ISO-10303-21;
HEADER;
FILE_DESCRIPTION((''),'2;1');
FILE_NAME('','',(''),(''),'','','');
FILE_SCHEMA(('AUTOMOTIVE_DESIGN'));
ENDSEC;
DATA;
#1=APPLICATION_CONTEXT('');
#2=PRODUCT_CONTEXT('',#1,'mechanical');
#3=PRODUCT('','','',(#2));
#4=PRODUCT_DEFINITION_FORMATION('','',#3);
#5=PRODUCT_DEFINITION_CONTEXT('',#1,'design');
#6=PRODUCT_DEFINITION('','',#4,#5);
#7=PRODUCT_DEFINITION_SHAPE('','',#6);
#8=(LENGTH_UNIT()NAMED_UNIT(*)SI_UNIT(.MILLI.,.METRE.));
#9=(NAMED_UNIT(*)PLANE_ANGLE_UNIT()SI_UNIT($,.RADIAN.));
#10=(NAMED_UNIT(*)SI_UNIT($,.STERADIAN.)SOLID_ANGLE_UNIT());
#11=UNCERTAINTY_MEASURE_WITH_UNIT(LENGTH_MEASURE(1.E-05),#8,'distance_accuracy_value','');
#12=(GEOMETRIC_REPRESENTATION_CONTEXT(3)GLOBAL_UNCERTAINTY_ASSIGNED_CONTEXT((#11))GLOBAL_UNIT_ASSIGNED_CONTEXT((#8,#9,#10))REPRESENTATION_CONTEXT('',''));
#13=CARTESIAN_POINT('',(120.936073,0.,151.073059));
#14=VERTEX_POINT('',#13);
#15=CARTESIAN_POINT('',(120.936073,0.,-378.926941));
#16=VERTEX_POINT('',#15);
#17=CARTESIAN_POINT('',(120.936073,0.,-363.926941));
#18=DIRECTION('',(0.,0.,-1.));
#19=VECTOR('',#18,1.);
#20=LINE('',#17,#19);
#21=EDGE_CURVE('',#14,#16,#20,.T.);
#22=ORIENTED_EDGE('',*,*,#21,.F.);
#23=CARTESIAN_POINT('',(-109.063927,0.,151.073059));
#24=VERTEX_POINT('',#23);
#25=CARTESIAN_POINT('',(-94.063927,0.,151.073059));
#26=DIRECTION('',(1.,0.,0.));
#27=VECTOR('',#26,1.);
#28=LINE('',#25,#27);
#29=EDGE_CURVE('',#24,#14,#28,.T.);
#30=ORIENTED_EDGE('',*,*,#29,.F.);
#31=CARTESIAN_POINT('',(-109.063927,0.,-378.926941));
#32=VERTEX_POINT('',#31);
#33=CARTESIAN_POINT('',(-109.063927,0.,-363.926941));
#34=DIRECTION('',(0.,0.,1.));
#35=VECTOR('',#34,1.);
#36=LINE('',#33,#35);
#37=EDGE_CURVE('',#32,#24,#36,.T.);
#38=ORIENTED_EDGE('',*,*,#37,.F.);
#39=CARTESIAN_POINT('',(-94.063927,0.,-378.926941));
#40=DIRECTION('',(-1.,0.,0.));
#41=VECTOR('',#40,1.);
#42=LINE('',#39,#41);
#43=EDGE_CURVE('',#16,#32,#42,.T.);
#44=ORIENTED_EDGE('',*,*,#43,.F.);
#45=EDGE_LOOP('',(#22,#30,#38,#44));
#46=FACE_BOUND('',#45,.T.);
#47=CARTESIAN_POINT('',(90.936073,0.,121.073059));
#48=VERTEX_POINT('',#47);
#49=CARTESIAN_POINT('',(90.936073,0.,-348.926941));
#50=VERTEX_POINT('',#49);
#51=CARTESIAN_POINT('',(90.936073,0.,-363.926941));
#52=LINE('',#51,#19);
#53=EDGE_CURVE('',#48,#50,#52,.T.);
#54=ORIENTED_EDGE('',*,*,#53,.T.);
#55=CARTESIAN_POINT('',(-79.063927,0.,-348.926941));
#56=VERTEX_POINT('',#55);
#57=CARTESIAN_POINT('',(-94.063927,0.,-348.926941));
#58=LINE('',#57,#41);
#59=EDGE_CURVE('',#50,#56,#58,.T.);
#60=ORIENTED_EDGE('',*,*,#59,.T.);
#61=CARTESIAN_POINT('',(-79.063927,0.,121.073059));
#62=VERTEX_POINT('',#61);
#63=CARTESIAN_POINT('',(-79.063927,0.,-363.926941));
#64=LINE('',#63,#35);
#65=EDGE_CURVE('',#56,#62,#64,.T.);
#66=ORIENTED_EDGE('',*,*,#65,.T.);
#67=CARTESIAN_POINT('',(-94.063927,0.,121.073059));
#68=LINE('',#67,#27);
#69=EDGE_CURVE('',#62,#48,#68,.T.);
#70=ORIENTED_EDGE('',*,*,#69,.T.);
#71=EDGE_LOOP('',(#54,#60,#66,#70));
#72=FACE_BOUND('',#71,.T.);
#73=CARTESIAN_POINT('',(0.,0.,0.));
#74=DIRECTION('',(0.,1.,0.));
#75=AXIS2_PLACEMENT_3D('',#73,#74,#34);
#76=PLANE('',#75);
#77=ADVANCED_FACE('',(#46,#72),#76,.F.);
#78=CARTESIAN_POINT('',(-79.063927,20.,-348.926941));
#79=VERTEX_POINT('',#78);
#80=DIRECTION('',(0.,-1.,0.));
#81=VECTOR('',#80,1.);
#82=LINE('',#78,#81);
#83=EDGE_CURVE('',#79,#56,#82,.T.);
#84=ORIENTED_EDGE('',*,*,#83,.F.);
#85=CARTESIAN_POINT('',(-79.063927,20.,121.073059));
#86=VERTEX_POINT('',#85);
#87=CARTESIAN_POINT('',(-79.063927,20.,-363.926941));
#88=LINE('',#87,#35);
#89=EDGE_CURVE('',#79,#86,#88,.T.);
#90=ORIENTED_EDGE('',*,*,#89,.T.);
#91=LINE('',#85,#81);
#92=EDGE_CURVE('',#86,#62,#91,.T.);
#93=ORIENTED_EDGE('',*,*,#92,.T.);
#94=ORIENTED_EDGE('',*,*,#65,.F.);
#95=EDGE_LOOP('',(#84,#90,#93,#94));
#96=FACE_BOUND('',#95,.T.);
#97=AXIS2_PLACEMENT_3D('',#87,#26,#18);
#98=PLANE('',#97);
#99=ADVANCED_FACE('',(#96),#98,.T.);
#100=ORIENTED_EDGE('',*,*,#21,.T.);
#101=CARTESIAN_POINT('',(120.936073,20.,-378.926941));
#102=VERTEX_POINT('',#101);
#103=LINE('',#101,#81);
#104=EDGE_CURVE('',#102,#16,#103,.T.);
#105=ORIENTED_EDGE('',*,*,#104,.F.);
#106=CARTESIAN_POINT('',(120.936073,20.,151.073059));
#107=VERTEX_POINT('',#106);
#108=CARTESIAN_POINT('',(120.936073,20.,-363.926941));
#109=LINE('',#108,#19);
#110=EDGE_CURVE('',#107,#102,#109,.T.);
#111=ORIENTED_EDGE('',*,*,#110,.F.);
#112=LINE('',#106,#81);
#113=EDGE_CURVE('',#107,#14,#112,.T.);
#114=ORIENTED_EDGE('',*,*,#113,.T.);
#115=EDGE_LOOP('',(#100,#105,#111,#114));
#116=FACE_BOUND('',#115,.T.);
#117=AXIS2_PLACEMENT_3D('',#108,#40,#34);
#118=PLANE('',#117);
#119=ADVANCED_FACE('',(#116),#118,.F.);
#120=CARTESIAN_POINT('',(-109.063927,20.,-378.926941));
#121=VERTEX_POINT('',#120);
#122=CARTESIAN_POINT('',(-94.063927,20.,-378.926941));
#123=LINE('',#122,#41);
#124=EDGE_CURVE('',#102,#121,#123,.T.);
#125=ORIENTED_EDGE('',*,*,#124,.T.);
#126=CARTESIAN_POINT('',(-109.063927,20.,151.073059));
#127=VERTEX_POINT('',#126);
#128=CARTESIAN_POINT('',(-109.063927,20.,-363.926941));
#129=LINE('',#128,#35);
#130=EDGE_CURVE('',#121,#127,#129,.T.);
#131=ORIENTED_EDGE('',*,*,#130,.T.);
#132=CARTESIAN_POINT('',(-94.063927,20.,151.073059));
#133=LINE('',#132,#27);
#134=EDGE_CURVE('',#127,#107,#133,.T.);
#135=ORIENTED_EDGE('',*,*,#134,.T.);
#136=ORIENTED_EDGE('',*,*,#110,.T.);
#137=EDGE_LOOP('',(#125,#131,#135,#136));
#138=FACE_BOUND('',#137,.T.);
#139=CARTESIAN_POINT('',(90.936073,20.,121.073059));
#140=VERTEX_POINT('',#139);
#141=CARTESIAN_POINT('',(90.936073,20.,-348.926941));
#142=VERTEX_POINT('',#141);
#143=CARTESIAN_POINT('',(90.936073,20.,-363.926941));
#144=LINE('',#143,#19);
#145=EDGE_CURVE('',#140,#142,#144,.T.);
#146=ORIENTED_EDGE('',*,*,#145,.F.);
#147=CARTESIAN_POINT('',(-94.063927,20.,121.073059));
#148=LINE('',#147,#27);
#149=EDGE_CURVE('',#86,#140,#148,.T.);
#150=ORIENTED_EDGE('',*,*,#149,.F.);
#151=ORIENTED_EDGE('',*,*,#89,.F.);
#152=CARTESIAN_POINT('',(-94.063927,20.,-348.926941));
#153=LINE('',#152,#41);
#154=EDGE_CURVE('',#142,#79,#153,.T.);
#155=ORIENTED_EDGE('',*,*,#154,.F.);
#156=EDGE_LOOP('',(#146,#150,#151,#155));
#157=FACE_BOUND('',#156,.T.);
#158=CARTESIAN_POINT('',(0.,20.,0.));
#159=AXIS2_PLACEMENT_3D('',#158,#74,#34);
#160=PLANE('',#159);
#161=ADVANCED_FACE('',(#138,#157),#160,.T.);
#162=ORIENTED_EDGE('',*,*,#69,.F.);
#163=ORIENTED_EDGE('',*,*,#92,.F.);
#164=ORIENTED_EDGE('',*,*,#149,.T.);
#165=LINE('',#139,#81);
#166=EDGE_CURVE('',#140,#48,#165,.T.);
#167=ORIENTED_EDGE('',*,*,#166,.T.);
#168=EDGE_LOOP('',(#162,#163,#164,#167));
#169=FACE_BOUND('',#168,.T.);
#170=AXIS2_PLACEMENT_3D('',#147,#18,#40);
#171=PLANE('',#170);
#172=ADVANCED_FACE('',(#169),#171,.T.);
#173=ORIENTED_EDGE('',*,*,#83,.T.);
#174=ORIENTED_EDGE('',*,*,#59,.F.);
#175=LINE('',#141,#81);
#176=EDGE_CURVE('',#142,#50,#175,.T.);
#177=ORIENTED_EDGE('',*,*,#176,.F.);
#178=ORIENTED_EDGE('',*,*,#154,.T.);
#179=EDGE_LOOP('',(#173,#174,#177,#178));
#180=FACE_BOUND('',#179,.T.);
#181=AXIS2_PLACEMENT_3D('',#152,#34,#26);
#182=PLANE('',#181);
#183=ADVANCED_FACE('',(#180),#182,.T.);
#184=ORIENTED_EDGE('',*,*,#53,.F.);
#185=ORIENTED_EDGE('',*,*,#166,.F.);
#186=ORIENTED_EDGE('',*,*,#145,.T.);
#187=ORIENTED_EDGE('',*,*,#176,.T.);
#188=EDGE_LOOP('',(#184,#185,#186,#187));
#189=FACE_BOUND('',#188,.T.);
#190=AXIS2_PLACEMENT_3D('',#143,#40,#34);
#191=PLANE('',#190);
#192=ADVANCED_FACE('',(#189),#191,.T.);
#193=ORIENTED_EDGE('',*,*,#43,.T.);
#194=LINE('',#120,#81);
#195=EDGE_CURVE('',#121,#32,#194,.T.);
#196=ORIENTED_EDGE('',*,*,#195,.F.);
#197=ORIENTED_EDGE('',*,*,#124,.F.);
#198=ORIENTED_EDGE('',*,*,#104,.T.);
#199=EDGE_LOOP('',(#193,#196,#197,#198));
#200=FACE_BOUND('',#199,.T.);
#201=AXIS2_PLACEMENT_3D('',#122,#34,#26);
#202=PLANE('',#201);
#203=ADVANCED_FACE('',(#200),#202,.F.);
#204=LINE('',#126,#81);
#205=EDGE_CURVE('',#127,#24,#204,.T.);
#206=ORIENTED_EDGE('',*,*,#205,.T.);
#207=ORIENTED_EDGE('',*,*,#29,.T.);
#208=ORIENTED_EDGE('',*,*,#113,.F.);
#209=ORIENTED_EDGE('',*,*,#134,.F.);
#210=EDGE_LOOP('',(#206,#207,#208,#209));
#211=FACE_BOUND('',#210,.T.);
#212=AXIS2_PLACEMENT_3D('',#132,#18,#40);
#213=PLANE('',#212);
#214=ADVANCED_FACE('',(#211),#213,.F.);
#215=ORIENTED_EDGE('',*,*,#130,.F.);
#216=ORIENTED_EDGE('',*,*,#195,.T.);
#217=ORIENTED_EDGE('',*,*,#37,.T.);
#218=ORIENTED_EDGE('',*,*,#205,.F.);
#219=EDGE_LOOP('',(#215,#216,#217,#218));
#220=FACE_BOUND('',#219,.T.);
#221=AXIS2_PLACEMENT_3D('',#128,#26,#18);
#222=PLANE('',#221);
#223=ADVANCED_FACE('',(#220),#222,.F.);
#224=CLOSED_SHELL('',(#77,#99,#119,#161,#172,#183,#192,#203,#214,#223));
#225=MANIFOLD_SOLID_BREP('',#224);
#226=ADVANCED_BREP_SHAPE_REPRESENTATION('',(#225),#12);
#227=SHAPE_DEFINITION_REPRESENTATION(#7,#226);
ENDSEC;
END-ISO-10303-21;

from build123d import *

# Parameters (mm, degrees)
SKETCH1_W           = 230
SKETCH1_H           = 530
SKETCH1_W_2         = 170
SKETCH1_H_2         = 470
EXTRUDE_THIN1_DEPTH = 20


with BuildPart() as part:
    # Sketch1 → Extrude-Thin1 (new body)
    with BuildSketch(Plane(origin=(0, 0, 0), x_dir=(1, 0, 0), z_dir=(0, 1, 0))):
        with Locations((5.936073059, 113.926940639)):
            Rectangle(SKETCH1_W, SKETCH1_H)
        with Locations((5.936073059, 113.926940639)):
            Rectangle(SKETCH1_W_2, SKETCH1_H_2, mode=Mode.SUBTRACT)
    extrude(amount=EXTRUDE_THIN1_DEPTH)


solid = part.part
